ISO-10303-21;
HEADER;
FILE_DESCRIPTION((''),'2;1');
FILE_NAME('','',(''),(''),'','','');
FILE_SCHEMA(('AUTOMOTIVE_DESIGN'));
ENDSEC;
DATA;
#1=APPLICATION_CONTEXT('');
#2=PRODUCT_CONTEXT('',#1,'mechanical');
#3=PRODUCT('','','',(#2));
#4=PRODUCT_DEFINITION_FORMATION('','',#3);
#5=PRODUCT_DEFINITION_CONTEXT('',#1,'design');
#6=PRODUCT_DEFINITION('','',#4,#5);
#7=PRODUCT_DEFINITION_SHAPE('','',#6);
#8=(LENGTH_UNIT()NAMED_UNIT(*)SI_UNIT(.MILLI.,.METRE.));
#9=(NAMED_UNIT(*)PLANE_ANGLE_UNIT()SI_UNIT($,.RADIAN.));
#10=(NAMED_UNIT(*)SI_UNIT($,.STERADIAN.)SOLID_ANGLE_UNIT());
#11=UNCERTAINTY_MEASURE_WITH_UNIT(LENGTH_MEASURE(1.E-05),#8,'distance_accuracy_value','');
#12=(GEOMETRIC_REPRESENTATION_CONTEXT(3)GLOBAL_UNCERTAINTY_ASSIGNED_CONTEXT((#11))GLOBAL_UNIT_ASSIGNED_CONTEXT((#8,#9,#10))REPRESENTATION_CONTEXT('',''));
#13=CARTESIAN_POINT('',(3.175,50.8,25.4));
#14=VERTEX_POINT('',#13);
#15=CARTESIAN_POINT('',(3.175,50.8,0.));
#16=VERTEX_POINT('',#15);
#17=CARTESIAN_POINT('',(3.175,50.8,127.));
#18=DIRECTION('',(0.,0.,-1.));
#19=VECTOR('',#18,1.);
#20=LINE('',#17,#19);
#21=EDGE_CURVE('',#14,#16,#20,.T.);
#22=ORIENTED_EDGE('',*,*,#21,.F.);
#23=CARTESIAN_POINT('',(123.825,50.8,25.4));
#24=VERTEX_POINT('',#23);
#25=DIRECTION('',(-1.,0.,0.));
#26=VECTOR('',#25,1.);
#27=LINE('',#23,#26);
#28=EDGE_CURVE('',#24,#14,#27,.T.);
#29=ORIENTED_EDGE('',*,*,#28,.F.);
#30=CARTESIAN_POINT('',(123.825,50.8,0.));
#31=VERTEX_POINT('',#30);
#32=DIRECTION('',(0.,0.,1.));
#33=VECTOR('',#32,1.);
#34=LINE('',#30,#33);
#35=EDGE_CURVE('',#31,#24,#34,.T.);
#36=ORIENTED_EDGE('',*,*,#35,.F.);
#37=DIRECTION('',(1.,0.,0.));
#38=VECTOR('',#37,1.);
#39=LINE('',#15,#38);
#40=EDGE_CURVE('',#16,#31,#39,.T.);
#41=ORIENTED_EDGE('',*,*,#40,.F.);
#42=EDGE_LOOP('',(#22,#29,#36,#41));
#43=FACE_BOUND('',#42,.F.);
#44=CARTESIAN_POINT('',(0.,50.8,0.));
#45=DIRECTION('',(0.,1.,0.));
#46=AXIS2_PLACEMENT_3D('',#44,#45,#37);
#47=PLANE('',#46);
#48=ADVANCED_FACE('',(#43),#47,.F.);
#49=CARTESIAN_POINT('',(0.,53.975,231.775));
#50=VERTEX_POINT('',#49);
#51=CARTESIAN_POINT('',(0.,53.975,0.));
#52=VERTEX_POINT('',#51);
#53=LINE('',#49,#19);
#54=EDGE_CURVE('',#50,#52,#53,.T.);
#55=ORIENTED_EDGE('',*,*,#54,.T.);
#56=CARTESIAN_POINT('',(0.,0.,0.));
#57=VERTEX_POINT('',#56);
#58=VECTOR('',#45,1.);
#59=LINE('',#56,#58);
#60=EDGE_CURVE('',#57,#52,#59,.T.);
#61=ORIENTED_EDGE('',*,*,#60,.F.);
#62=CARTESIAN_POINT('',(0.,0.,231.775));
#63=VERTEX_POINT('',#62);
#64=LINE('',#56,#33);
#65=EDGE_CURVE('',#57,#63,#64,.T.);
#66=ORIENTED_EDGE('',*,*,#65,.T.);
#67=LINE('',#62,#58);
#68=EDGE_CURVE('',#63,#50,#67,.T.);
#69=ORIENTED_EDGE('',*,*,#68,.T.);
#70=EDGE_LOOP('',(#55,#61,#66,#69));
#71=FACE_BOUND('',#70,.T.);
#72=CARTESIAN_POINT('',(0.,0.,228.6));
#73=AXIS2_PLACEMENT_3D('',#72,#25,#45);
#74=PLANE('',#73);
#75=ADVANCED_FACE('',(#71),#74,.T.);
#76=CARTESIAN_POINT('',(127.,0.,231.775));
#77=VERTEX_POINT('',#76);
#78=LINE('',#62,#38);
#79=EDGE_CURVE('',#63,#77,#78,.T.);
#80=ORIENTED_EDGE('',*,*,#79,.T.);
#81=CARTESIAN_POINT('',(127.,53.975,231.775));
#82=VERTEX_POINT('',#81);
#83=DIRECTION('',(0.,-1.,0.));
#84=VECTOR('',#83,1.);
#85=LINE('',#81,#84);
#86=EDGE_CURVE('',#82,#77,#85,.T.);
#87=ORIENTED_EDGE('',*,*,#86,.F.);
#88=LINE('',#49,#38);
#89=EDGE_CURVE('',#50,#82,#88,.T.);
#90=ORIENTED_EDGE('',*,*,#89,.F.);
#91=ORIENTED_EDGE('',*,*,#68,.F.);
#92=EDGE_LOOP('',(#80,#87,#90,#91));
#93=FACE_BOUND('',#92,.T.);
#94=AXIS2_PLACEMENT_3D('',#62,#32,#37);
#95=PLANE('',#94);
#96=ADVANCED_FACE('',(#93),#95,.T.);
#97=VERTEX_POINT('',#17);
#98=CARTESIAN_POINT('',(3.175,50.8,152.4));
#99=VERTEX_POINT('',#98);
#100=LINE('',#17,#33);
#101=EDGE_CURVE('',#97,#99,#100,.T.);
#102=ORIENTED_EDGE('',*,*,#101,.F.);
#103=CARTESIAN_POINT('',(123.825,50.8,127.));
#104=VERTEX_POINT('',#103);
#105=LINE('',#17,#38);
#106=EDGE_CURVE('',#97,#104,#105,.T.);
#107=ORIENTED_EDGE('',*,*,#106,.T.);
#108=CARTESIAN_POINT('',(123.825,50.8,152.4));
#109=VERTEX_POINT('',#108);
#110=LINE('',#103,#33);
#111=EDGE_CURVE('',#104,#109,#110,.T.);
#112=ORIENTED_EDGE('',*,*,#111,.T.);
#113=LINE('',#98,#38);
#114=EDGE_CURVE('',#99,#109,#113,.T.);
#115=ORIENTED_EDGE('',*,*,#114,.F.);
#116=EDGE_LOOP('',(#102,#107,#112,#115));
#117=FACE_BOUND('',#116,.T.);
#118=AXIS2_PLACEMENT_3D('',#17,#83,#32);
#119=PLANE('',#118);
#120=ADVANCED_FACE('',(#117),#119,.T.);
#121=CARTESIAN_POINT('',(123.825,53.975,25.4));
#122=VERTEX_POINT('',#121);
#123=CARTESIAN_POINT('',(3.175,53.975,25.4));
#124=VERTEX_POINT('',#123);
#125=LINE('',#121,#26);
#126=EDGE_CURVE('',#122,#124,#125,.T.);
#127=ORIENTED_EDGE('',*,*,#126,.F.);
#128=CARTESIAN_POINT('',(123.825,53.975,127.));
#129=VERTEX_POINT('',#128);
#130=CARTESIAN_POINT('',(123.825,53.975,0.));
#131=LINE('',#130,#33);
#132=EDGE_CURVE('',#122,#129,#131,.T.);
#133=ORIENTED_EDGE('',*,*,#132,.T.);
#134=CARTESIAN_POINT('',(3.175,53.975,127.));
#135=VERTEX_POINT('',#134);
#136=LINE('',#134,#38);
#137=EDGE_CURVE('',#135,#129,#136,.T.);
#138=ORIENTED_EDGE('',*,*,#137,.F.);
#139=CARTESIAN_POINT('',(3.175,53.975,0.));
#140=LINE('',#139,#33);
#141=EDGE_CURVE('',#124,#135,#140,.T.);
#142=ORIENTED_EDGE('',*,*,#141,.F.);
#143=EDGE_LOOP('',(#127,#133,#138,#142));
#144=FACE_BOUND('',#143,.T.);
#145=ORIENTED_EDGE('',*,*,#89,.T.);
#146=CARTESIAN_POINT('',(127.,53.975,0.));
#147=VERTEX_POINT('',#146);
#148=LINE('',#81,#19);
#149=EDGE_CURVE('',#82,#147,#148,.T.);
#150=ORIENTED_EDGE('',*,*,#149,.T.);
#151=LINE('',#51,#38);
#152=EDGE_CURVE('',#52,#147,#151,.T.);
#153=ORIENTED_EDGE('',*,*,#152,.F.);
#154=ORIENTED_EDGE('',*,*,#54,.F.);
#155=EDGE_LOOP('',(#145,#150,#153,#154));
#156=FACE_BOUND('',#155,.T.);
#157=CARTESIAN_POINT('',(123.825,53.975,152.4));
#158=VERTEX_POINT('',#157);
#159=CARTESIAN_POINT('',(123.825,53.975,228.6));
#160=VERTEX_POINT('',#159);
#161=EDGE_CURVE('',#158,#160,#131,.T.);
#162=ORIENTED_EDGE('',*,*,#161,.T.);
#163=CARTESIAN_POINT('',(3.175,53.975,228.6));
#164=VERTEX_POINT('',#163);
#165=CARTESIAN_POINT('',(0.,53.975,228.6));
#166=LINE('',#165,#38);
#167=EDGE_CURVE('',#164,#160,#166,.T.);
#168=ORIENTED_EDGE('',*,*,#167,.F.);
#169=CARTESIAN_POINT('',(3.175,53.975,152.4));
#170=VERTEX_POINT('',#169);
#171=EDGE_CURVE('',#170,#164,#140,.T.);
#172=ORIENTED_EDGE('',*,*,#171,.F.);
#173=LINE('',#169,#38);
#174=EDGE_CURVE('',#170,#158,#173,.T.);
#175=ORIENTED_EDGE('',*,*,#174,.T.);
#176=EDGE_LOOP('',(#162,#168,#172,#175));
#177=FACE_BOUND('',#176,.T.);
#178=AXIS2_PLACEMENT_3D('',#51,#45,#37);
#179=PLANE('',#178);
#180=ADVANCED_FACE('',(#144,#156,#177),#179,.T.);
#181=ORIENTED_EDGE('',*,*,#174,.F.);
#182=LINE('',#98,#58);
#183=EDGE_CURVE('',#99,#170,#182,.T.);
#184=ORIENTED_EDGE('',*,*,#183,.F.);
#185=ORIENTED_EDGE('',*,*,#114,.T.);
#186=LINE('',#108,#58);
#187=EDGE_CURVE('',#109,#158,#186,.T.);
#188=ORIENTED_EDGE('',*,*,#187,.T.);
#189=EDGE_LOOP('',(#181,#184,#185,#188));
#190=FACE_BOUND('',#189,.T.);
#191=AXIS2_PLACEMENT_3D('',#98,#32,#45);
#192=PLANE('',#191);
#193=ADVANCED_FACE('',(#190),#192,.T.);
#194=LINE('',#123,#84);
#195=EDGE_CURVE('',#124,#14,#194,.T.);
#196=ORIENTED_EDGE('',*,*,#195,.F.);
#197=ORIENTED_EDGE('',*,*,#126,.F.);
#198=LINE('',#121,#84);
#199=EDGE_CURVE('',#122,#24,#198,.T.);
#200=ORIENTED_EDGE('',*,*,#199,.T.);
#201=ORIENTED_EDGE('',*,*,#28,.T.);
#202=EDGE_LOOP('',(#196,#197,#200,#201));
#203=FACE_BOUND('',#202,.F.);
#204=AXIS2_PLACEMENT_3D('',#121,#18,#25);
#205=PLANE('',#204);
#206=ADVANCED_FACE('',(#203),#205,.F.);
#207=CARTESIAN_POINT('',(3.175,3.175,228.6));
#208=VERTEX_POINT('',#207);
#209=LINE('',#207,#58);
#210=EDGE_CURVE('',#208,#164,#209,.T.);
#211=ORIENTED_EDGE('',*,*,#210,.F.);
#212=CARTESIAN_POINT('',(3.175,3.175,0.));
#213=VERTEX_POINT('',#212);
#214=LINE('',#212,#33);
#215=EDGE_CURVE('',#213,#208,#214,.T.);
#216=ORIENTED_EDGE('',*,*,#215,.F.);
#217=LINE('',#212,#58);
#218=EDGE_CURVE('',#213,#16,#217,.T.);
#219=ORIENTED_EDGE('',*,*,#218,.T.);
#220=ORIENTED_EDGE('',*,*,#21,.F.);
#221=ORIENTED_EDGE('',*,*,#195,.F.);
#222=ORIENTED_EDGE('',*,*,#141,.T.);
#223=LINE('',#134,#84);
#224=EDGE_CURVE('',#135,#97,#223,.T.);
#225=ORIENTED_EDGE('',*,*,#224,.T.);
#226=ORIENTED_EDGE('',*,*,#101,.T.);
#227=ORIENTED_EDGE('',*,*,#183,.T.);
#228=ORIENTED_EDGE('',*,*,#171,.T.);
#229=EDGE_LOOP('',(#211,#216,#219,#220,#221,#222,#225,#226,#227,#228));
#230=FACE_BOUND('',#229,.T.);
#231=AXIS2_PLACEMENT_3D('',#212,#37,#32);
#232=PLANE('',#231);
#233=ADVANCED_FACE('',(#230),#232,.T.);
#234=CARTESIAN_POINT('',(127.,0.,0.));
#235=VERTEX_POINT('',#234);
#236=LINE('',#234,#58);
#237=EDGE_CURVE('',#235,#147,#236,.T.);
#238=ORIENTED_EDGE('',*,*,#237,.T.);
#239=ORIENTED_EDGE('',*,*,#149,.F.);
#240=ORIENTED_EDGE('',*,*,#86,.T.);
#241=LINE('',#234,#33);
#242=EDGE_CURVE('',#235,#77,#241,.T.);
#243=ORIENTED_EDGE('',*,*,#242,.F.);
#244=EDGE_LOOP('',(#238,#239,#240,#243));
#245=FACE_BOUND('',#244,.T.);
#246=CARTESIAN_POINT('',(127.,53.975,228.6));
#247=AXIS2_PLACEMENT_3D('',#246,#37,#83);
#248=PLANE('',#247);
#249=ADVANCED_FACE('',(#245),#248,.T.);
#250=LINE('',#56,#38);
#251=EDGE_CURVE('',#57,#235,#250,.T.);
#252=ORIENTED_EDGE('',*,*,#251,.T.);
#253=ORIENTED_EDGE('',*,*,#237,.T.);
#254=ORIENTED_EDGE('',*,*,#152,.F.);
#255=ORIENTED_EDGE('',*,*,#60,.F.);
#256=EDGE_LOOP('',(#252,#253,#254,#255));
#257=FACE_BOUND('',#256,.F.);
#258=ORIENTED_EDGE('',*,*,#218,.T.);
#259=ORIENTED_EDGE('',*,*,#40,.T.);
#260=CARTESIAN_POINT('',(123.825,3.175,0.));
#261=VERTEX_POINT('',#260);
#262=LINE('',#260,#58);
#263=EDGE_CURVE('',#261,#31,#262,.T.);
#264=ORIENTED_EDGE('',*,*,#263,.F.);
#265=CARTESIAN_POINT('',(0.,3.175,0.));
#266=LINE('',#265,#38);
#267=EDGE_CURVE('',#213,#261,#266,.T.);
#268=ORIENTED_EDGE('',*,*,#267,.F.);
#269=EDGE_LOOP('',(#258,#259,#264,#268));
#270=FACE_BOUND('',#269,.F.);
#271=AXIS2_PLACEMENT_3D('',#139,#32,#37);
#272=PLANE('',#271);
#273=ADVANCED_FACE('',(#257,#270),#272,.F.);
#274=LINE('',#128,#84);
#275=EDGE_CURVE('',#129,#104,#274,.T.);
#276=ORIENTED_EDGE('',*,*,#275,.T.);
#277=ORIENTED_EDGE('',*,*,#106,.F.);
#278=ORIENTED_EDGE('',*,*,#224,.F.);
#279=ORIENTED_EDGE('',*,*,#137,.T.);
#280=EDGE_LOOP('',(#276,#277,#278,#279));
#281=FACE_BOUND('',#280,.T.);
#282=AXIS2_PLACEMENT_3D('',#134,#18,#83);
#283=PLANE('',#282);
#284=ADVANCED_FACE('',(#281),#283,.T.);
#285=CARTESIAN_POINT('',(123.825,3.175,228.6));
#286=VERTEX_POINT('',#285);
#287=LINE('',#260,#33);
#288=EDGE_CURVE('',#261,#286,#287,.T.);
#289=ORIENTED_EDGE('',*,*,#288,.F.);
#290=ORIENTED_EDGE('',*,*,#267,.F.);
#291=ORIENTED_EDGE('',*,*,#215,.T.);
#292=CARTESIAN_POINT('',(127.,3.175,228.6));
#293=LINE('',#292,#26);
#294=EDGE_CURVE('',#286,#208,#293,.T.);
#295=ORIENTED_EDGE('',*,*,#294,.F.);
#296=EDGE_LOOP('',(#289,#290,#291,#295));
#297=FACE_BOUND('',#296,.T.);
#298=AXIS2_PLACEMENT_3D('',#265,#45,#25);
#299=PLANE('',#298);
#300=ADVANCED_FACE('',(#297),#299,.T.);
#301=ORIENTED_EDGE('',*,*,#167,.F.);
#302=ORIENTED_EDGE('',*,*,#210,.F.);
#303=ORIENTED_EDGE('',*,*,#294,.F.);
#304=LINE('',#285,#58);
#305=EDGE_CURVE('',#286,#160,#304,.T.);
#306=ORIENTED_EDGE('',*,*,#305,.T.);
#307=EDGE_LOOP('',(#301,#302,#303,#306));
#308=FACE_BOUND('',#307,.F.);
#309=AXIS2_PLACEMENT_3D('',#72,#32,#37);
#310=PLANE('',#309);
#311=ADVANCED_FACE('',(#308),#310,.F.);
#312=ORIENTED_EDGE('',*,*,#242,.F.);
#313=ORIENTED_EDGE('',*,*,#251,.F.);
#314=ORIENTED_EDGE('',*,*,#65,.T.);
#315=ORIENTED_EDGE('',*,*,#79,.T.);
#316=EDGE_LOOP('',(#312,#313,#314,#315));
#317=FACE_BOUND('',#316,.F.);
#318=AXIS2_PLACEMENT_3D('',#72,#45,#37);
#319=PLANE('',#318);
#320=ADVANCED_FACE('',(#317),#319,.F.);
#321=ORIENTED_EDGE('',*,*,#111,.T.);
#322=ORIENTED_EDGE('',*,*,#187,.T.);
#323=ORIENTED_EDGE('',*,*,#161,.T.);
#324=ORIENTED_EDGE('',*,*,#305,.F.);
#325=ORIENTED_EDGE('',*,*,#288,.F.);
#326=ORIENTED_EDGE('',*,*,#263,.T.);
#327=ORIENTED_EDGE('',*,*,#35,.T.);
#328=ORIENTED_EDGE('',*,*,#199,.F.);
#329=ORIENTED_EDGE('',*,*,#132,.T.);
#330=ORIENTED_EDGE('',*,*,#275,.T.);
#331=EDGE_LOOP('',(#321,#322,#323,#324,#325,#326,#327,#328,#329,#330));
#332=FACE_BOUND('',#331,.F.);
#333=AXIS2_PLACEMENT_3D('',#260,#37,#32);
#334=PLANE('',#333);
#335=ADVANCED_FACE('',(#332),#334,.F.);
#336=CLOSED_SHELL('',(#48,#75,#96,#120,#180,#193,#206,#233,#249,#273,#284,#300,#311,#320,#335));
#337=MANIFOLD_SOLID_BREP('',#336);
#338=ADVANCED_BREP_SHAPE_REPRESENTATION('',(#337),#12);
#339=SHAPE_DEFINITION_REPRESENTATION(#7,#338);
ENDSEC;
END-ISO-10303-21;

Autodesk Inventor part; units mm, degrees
ref_plane "YZ Plane" through (0, 0, 0) normal (1, 0, 0) x (0, 1, 0)
ref_plane "XZ Plane" through (0, 0, 0) normal (0, 1, 0) x (-1, 0, 0)
ref_plane "XY Plane" through (0, 0, 0) normal (0, 0, 1) x (1, 0, 0)
sketch "Sketch1" plane through (0, 0, 0) normal (0, 1, 0) x (-1, 0, 0)
  line L0 (0, 0) -> (-127, 0)
  line L1 (-127, 0) -> (-127, 228.6)
  line L2 (-127, 228.6) -> (0, 228.6)
  line L3 (0, 228.6) -> (0, 0)
  dimension "d0" = 127
  dimension "d1" = 228.6
extrude "Extrusion1" add sketch "Sketch1" along normal blind 3.175
sketch "Sketch2" plane through (0, 3.175, 0) normal (0, 1, 0) x (1, 0, 0)
  line L0 (0, 0) -> (0, -228.6) projected
  line L1 (0, 0) -> (3.175, 0)
  line L2 (3.175, 0) -> (3.175, -228.6)
  line L3 (3.175, -228.6) -> (0, -228.6)
  line L4 (0, -228.6) -> (0, 0)
  dimension "d4" = 3.175
  dimension "d5" = 228.6
extrude "Extrusion2" add sketch "Sketch2" along normal blind 50.8
sketch "Sketch3" plane through (0, 3.175, 0) normal (0, 1, 0) x (1, 0, 0)
  line L0 (127, -228.6) -> (127, 0) projected
  line L1 (127, 0) -> (123.825, 0)
  line L2 (123.825, 0) -> (123.825, -228.6)
  line L3 (123.825, -228.6) -> (127, -228.6)
  line L4 (127, -228.6) -> (127, 0)
  point P0 (0, 0)
  dimension "d8" = 3.175
  dimension "d9" = 228.6
extrude "Extrusion3" add sketch "Sketch3" along normal blind 50.8
sketch "Sketch6" plane through (0, 0, 228.6) normal (0, 0, 1) x (1, 0, 0)
  line L0 (0, 0) -> (127, 0) projected
  line L1 (0, 53.975) -> (127, 53.975)
  line L2 (127, 53.975) -> (127, 0)
  line L3 (127, 0) -> (0, 0)
  line L4 (0, 0) -> (0, 53.975)
extrude "Extrusion4" add sketch "Sketch6" along normal blind 3.175
sketch "Sketch7" plane through (3.175, 3.175, 0) normal (1, 0, 0) x (0, 0, -1)
  line L0 (-228.6, 50.8) -> (-152.4, 50.8) construction
  line L1 (0, 50.8) -> (-231.775, 50.8) construction
  line L2 (-228.6, 50.8) -> (-152.4, 50.8) construction
  line L3 (-152.4, 50.8) -> (-127, 50.8)
  line L4 (-127, 50.8) -> (-127, 47.625)
  line L5 (-127, 47.625) -> (-152.4, 47.625)
  line L6 (-152.4, 47.625) -> (-152.4, 50.8)
  point P0 (0, -3.175)
  dimension "d19" = 76.2
  dimension "d20" = 0
  dimension "d21" = 25.4
  dimension "d22" = 3.175
extrude "Extrusion5" add sketch "Sketch7" along normal blind 120.65
sketch "Sketch8" plane through (0, 53.975, 0) normal (0, 1, 0) x (1, 0, 0)
  line L0 (3.175, -127) -> (3.175, 0) projected
  line L1 (3.175, 0) -> (123.825, 0)
  line L2 (123.825, 0) -> (123.825, -25.4)
  line L3 (123.825, -25.4) -> (3.175, -25.4)
  line L4 (3.175, -25.4) -> (3.175, 0)
  point P0 (0, 0)
  point P1 (3.175, -25.4)
  dimension "d25" = 120.65
  dimension "d26" = 25.4
extrude "Extrusion6" add sketch "Sketch8" against normal blind 3.175
properties part number "ShootingMech_Housing"
